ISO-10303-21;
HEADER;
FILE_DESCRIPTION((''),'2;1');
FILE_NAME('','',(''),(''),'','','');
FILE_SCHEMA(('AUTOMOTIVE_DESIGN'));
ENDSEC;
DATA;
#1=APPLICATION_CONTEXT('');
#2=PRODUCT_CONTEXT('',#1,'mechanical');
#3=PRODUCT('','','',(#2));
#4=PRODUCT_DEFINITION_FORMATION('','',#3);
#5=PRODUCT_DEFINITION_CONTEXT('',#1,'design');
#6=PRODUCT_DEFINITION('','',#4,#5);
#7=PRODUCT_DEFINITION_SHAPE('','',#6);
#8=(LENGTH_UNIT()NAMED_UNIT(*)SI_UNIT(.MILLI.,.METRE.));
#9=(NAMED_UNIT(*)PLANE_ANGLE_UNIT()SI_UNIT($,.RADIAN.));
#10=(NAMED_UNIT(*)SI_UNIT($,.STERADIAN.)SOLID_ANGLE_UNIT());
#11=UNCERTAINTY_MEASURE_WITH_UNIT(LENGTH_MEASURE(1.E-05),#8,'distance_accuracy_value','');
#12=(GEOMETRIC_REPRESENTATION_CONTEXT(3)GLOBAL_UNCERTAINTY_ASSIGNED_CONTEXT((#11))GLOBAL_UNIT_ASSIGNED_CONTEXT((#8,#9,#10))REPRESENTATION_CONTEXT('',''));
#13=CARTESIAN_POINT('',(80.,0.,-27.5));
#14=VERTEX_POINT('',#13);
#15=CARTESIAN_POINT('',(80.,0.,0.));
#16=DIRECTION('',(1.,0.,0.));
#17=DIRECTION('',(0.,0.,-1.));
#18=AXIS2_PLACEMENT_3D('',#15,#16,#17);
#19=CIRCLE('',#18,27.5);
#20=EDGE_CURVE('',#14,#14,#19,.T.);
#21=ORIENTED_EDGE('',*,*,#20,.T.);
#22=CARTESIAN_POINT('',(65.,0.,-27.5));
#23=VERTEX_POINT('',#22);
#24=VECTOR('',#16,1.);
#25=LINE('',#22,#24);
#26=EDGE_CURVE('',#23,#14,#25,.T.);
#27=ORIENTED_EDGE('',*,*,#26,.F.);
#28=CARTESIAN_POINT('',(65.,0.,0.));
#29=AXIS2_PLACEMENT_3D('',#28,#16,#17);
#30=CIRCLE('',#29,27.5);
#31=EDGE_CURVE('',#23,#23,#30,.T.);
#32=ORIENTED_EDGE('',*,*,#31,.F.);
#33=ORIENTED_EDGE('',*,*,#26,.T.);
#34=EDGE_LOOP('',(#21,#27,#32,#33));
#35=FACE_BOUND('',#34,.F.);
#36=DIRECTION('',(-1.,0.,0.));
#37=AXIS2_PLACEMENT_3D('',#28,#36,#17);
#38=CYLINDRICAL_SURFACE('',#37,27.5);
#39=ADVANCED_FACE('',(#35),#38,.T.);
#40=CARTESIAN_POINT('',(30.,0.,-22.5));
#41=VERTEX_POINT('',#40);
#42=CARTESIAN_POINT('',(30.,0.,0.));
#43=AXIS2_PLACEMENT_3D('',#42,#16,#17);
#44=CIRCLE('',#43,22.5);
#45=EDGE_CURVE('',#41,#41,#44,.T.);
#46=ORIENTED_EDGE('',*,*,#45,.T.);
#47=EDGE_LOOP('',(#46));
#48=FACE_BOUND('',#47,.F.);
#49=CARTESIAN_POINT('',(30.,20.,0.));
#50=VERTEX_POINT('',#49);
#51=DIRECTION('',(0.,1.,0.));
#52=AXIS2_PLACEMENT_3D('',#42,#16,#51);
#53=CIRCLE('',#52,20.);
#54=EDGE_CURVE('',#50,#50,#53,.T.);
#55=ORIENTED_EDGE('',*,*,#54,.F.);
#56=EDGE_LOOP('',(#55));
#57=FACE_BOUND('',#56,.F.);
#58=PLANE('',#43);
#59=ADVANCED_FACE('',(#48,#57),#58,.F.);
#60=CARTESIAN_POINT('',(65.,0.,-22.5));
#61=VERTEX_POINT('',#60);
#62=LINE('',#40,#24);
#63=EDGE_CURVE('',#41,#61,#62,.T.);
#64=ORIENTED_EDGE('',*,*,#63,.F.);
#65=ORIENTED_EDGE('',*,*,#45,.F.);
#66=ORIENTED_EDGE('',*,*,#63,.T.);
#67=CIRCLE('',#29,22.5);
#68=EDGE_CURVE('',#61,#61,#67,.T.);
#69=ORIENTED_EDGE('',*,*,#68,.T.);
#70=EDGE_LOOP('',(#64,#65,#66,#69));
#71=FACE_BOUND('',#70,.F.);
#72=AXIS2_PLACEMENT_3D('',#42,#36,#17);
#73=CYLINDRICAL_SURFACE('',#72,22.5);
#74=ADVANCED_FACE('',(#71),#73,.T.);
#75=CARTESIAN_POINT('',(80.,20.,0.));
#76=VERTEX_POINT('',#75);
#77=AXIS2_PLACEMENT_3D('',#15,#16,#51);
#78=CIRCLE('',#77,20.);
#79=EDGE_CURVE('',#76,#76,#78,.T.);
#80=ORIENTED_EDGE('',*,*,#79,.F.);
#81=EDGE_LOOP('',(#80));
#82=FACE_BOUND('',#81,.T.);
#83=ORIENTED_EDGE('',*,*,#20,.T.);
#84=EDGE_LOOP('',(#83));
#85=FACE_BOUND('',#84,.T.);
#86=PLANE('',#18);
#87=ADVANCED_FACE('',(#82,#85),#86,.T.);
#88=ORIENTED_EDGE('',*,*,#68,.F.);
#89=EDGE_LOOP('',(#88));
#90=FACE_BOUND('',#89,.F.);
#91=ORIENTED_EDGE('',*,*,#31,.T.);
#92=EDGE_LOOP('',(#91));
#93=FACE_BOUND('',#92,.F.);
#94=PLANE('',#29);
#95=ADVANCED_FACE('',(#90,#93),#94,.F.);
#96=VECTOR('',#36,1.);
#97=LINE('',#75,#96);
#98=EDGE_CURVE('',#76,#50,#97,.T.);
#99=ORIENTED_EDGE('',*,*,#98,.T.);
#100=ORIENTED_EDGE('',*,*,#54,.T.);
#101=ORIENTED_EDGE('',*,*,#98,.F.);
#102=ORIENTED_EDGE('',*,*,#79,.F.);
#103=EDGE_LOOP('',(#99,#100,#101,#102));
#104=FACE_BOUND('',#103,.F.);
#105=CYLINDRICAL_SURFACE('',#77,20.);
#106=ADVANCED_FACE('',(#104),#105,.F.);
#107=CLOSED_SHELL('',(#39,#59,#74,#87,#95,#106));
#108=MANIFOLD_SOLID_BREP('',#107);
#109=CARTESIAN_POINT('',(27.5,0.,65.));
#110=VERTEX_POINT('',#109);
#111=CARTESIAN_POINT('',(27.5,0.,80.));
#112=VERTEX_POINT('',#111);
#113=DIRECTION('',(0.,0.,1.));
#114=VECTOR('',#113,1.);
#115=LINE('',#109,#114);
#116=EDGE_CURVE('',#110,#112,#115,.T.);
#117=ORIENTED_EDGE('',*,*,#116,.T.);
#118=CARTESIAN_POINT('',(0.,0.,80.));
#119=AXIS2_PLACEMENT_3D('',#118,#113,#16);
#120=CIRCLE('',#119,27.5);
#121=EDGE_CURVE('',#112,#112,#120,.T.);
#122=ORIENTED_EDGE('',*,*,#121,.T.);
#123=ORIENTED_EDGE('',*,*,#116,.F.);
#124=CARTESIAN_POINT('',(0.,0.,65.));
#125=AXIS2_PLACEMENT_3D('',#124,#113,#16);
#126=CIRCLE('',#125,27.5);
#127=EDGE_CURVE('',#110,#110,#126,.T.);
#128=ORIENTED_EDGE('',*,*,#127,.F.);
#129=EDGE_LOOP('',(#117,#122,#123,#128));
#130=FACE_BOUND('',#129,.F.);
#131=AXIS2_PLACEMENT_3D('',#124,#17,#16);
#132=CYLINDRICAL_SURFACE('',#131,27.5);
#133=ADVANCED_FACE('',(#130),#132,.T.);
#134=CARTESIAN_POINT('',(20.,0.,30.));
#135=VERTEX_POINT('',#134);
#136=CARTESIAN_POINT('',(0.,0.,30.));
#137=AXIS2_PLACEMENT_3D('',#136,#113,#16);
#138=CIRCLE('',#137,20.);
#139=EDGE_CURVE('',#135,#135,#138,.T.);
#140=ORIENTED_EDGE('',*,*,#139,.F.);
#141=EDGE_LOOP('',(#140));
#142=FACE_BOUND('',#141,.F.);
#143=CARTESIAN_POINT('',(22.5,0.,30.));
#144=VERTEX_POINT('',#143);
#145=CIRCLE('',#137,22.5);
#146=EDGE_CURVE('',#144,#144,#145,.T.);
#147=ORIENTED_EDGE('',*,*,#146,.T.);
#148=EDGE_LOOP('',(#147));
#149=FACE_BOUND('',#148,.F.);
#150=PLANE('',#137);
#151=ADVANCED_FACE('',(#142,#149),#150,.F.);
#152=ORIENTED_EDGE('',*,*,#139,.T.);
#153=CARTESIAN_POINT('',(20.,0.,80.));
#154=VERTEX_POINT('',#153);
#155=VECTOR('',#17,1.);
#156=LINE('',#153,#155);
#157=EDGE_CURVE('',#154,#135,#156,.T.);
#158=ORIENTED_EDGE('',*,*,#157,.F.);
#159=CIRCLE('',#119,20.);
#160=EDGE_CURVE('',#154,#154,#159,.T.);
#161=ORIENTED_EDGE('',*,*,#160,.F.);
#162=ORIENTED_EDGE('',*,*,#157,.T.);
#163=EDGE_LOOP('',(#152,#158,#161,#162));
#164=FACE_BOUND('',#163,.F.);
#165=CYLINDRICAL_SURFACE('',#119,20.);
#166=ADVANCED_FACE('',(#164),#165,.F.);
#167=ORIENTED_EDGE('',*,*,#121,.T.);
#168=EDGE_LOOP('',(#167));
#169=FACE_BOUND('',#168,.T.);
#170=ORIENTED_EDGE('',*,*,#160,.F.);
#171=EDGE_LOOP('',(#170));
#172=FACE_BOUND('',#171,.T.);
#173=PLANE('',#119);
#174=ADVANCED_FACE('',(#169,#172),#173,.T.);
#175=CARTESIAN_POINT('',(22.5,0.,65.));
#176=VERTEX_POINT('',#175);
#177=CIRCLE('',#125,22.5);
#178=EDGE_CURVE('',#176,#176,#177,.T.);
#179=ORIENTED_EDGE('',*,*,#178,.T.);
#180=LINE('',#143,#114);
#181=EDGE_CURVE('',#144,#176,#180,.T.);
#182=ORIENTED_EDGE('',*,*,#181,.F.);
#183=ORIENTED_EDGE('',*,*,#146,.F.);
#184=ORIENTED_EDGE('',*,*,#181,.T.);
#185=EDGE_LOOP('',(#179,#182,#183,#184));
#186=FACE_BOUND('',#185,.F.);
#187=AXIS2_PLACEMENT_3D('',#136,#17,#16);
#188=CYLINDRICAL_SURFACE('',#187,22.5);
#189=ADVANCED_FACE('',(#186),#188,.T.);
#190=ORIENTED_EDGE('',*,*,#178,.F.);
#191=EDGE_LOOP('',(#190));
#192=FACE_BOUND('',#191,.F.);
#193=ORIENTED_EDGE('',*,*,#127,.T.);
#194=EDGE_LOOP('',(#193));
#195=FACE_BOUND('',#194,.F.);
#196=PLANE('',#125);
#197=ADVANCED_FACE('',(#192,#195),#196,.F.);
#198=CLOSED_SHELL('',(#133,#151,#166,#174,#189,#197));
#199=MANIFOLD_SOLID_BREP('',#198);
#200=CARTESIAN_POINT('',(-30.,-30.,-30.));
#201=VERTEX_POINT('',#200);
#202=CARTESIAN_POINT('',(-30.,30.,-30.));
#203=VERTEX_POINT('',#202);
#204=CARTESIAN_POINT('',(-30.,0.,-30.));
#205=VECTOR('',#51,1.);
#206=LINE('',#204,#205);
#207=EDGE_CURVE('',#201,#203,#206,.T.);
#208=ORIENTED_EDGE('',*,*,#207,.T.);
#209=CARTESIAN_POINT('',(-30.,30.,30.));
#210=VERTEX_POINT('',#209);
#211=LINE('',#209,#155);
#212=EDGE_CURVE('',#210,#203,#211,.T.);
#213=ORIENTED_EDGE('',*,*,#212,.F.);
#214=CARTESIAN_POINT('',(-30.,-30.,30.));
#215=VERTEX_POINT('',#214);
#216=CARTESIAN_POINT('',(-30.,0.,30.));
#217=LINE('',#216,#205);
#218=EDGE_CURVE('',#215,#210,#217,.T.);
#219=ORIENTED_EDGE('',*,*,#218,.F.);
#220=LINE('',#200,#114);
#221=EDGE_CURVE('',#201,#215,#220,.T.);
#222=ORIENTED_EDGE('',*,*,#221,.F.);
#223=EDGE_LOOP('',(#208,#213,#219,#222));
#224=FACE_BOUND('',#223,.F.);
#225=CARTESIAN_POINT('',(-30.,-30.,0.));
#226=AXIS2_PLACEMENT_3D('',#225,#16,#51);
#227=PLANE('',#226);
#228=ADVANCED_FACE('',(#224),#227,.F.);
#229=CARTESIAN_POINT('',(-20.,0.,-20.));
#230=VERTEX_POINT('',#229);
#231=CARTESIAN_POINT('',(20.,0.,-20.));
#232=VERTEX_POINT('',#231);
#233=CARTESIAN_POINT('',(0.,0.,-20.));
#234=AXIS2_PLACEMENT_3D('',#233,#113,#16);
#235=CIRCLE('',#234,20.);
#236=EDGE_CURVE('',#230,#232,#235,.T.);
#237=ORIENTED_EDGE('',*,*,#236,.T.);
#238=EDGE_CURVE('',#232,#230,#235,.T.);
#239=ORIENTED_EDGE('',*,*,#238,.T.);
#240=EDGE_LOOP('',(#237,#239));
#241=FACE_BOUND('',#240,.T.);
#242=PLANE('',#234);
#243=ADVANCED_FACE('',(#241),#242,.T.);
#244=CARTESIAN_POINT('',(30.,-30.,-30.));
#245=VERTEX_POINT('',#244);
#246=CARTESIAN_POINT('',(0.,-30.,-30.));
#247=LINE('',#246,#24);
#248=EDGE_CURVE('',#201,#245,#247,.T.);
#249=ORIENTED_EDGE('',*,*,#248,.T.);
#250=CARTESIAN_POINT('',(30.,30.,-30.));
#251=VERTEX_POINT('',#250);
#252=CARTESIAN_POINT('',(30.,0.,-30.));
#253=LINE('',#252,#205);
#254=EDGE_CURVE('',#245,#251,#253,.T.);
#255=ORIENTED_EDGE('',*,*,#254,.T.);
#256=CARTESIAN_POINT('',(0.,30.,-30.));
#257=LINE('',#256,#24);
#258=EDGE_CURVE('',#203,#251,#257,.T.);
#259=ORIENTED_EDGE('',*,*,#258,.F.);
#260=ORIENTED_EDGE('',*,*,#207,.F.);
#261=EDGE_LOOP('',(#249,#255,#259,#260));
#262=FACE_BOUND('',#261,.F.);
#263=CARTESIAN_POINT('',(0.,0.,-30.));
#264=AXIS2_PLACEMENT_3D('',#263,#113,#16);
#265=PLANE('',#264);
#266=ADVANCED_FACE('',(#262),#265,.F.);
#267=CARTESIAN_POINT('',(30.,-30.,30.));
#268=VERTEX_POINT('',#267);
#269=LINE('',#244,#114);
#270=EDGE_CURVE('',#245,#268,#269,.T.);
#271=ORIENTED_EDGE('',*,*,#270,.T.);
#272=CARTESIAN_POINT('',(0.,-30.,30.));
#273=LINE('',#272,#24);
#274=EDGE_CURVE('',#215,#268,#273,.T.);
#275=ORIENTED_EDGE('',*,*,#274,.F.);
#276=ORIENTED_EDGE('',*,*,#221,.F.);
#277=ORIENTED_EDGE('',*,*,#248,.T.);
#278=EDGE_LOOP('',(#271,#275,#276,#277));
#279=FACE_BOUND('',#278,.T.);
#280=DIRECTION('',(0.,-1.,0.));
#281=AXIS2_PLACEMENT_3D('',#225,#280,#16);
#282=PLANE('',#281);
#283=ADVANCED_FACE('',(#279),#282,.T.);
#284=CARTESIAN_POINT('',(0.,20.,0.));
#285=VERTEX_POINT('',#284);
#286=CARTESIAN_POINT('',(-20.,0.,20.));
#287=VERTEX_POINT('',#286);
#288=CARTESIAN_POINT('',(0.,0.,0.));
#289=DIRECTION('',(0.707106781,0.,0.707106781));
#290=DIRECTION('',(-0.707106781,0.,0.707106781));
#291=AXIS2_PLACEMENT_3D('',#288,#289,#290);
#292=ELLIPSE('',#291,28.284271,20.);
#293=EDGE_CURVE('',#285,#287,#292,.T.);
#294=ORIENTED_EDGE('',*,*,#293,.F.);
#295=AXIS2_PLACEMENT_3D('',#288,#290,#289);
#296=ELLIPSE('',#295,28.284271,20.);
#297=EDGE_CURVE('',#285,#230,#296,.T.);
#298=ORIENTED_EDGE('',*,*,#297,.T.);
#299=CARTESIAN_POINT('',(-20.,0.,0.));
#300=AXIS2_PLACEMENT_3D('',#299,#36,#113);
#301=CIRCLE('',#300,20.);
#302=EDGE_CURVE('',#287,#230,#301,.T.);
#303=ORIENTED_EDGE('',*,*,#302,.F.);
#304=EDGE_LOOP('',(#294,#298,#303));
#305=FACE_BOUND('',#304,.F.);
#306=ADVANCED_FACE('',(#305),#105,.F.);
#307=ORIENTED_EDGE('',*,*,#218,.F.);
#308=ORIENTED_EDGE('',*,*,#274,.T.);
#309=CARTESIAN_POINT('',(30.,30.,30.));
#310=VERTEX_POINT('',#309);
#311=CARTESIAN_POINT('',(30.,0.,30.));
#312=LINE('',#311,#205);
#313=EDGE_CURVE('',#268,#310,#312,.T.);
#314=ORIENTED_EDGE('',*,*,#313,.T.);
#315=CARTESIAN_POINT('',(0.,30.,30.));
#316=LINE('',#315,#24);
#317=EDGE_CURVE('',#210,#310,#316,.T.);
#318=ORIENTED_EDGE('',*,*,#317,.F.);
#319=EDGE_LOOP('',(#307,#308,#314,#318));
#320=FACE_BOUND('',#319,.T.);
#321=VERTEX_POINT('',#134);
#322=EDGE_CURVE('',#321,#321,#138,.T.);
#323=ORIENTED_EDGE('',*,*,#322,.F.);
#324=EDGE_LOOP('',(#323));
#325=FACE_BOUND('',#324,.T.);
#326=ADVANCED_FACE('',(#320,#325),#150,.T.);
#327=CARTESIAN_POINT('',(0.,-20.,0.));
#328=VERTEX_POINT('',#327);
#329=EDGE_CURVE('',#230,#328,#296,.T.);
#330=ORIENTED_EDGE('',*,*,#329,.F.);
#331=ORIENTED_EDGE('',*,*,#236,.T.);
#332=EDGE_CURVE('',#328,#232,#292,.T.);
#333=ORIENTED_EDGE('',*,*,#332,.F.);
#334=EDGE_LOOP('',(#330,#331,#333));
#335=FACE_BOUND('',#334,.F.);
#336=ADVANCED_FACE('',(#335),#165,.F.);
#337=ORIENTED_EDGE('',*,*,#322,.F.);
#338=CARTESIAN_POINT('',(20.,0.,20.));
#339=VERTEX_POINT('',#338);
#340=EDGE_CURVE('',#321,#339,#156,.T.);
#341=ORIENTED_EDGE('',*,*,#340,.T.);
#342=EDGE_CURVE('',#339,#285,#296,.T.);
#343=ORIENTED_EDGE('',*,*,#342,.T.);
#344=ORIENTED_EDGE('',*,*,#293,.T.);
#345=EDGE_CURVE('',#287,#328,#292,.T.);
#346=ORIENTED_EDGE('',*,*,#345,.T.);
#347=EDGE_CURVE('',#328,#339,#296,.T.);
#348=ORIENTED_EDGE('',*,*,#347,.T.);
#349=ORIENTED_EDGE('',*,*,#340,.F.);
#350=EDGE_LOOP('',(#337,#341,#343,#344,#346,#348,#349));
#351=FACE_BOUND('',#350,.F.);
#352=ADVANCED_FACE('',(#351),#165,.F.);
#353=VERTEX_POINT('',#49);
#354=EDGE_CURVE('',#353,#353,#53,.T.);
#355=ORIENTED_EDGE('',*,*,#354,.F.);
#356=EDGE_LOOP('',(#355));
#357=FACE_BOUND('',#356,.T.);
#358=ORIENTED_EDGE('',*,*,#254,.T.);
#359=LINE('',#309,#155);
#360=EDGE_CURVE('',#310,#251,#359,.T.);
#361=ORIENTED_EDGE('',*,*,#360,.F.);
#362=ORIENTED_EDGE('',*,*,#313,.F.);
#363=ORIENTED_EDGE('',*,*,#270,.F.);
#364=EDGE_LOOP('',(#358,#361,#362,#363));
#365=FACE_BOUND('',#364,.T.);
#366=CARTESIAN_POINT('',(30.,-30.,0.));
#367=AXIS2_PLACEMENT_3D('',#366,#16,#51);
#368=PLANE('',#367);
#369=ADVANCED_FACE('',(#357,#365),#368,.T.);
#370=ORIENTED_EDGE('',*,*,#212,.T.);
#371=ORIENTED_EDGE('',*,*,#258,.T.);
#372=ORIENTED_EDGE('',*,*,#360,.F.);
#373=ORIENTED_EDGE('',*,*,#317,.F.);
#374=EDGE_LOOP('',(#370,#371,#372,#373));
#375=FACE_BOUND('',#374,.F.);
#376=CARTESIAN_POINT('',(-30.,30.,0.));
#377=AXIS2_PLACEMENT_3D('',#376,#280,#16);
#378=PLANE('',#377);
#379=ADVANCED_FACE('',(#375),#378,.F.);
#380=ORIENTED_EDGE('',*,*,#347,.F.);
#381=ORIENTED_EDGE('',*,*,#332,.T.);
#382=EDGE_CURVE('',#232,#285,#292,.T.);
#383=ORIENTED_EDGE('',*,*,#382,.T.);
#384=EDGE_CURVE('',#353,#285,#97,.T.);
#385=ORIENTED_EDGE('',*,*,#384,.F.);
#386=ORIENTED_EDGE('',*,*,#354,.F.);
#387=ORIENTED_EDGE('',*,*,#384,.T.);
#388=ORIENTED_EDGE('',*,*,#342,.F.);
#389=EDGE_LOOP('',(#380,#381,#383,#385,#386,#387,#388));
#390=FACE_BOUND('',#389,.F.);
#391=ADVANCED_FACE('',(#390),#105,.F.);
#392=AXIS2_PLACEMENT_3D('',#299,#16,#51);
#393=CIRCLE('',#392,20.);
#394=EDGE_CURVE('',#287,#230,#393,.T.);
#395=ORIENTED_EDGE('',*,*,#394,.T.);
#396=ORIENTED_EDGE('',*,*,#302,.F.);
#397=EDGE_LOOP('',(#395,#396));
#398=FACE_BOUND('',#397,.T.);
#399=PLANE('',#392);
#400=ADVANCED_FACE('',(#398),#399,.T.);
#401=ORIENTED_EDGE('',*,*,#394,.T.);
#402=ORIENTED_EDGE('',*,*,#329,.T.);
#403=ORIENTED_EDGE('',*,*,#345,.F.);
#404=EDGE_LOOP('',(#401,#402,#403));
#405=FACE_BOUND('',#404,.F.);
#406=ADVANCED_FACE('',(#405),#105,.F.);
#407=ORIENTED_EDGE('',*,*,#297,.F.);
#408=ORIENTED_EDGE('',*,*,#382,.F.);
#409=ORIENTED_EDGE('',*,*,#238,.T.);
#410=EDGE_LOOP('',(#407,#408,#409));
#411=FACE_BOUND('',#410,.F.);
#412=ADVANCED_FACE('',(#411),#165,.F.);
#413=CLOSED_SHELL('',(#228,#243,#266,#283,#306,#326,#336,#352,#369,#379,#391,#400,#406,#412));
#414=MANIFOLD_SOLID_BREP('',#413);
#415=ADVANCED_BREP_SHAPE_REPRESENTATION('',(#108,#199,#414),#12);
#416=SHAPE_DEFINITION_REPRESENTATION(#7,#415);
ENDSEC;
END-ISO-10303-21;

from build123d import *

# Parameters (mm, degrees)
F0_W      = 60
F0_H      = 60
F1_DEPTH  = 30
F2_R      = 22.5
F3_DEPTH  = 35
F4_R      = 27.5
F5_DEPTH  = 15
F8_COUNT  = 2
F8_ANGLE  = 90
F6_R      = 20
F9_DEPTH  = 100
F10_R     = 20
F11_DEPTH = 100


with BuildPart() as f1:
    # F0 (on Top) → F1 (new body, symmetric)
    with BuildSketch(Plane.XY):
        Rectangle(F0_W, F0_H)
    extrude(amount=F1_DEPTH, both=True)


with BuildPart() as f3:
    # F2 (on face) → F3 (new body)
    with BuildSketch(Plane.XY.offset(30)):
        Circle(F2_R)
    extrude(amount=F3_DEPTH)

    # F4 (on face) → F5 (join)
    with BuildSketch(Plane.XY.offset(65)):
        Circle(F4_R)
    extrude(amount=F5_DEPTH)


with BuildPart() as f8_1:
    # F8: instance of F3
    add(f3.part.rotate(Axis((0, 15, 0), (0, 1, 0)), 1 * F8_ANGLE / (F8_COUNT - 1)))


with BuildPart() as f9_tool:
    # F6 (on face) → F9 (new body)
    with BuildSketch(Plane.XY.offset(80)):
        Circle(F6_R)
    extrude(amount=-F9_DEPTH)


with BuildPart() as f1_1:
    add(f1.part)

    # F9: cut by f9_tool
    add(f9_tool.part, mode=Mode.SUBTRACT)


with BuildPart() as f3_1:
    add(f3.part)

    # F9: cut by f9_tool
    add(f9_tool.part, mode=Mode.SUBTRACT)


with BuildPart() as f11_tool:
    # F10 (on face) → F11 (new body)
    with BuildSketch(Plane.YZ.offset(80)):
        Circle(F10_R)
    extrude(amount=-F11_DEPTH)


with BuildPart() as f1_2:
    add(f1_1.part)

    # F11: cut by f11_tool
    add(f11_tool.part, mode=Mode.SUBTRACT)


with BuildPart() as f8_1_1:
    add(f8_1.part)

    # F11: cut by f11_tool
    add(f11_tool.part, mode=Mode.SUBTRACT)


solid = Compound([f3_1.part, f1_2.part, f8_1_1.part])
